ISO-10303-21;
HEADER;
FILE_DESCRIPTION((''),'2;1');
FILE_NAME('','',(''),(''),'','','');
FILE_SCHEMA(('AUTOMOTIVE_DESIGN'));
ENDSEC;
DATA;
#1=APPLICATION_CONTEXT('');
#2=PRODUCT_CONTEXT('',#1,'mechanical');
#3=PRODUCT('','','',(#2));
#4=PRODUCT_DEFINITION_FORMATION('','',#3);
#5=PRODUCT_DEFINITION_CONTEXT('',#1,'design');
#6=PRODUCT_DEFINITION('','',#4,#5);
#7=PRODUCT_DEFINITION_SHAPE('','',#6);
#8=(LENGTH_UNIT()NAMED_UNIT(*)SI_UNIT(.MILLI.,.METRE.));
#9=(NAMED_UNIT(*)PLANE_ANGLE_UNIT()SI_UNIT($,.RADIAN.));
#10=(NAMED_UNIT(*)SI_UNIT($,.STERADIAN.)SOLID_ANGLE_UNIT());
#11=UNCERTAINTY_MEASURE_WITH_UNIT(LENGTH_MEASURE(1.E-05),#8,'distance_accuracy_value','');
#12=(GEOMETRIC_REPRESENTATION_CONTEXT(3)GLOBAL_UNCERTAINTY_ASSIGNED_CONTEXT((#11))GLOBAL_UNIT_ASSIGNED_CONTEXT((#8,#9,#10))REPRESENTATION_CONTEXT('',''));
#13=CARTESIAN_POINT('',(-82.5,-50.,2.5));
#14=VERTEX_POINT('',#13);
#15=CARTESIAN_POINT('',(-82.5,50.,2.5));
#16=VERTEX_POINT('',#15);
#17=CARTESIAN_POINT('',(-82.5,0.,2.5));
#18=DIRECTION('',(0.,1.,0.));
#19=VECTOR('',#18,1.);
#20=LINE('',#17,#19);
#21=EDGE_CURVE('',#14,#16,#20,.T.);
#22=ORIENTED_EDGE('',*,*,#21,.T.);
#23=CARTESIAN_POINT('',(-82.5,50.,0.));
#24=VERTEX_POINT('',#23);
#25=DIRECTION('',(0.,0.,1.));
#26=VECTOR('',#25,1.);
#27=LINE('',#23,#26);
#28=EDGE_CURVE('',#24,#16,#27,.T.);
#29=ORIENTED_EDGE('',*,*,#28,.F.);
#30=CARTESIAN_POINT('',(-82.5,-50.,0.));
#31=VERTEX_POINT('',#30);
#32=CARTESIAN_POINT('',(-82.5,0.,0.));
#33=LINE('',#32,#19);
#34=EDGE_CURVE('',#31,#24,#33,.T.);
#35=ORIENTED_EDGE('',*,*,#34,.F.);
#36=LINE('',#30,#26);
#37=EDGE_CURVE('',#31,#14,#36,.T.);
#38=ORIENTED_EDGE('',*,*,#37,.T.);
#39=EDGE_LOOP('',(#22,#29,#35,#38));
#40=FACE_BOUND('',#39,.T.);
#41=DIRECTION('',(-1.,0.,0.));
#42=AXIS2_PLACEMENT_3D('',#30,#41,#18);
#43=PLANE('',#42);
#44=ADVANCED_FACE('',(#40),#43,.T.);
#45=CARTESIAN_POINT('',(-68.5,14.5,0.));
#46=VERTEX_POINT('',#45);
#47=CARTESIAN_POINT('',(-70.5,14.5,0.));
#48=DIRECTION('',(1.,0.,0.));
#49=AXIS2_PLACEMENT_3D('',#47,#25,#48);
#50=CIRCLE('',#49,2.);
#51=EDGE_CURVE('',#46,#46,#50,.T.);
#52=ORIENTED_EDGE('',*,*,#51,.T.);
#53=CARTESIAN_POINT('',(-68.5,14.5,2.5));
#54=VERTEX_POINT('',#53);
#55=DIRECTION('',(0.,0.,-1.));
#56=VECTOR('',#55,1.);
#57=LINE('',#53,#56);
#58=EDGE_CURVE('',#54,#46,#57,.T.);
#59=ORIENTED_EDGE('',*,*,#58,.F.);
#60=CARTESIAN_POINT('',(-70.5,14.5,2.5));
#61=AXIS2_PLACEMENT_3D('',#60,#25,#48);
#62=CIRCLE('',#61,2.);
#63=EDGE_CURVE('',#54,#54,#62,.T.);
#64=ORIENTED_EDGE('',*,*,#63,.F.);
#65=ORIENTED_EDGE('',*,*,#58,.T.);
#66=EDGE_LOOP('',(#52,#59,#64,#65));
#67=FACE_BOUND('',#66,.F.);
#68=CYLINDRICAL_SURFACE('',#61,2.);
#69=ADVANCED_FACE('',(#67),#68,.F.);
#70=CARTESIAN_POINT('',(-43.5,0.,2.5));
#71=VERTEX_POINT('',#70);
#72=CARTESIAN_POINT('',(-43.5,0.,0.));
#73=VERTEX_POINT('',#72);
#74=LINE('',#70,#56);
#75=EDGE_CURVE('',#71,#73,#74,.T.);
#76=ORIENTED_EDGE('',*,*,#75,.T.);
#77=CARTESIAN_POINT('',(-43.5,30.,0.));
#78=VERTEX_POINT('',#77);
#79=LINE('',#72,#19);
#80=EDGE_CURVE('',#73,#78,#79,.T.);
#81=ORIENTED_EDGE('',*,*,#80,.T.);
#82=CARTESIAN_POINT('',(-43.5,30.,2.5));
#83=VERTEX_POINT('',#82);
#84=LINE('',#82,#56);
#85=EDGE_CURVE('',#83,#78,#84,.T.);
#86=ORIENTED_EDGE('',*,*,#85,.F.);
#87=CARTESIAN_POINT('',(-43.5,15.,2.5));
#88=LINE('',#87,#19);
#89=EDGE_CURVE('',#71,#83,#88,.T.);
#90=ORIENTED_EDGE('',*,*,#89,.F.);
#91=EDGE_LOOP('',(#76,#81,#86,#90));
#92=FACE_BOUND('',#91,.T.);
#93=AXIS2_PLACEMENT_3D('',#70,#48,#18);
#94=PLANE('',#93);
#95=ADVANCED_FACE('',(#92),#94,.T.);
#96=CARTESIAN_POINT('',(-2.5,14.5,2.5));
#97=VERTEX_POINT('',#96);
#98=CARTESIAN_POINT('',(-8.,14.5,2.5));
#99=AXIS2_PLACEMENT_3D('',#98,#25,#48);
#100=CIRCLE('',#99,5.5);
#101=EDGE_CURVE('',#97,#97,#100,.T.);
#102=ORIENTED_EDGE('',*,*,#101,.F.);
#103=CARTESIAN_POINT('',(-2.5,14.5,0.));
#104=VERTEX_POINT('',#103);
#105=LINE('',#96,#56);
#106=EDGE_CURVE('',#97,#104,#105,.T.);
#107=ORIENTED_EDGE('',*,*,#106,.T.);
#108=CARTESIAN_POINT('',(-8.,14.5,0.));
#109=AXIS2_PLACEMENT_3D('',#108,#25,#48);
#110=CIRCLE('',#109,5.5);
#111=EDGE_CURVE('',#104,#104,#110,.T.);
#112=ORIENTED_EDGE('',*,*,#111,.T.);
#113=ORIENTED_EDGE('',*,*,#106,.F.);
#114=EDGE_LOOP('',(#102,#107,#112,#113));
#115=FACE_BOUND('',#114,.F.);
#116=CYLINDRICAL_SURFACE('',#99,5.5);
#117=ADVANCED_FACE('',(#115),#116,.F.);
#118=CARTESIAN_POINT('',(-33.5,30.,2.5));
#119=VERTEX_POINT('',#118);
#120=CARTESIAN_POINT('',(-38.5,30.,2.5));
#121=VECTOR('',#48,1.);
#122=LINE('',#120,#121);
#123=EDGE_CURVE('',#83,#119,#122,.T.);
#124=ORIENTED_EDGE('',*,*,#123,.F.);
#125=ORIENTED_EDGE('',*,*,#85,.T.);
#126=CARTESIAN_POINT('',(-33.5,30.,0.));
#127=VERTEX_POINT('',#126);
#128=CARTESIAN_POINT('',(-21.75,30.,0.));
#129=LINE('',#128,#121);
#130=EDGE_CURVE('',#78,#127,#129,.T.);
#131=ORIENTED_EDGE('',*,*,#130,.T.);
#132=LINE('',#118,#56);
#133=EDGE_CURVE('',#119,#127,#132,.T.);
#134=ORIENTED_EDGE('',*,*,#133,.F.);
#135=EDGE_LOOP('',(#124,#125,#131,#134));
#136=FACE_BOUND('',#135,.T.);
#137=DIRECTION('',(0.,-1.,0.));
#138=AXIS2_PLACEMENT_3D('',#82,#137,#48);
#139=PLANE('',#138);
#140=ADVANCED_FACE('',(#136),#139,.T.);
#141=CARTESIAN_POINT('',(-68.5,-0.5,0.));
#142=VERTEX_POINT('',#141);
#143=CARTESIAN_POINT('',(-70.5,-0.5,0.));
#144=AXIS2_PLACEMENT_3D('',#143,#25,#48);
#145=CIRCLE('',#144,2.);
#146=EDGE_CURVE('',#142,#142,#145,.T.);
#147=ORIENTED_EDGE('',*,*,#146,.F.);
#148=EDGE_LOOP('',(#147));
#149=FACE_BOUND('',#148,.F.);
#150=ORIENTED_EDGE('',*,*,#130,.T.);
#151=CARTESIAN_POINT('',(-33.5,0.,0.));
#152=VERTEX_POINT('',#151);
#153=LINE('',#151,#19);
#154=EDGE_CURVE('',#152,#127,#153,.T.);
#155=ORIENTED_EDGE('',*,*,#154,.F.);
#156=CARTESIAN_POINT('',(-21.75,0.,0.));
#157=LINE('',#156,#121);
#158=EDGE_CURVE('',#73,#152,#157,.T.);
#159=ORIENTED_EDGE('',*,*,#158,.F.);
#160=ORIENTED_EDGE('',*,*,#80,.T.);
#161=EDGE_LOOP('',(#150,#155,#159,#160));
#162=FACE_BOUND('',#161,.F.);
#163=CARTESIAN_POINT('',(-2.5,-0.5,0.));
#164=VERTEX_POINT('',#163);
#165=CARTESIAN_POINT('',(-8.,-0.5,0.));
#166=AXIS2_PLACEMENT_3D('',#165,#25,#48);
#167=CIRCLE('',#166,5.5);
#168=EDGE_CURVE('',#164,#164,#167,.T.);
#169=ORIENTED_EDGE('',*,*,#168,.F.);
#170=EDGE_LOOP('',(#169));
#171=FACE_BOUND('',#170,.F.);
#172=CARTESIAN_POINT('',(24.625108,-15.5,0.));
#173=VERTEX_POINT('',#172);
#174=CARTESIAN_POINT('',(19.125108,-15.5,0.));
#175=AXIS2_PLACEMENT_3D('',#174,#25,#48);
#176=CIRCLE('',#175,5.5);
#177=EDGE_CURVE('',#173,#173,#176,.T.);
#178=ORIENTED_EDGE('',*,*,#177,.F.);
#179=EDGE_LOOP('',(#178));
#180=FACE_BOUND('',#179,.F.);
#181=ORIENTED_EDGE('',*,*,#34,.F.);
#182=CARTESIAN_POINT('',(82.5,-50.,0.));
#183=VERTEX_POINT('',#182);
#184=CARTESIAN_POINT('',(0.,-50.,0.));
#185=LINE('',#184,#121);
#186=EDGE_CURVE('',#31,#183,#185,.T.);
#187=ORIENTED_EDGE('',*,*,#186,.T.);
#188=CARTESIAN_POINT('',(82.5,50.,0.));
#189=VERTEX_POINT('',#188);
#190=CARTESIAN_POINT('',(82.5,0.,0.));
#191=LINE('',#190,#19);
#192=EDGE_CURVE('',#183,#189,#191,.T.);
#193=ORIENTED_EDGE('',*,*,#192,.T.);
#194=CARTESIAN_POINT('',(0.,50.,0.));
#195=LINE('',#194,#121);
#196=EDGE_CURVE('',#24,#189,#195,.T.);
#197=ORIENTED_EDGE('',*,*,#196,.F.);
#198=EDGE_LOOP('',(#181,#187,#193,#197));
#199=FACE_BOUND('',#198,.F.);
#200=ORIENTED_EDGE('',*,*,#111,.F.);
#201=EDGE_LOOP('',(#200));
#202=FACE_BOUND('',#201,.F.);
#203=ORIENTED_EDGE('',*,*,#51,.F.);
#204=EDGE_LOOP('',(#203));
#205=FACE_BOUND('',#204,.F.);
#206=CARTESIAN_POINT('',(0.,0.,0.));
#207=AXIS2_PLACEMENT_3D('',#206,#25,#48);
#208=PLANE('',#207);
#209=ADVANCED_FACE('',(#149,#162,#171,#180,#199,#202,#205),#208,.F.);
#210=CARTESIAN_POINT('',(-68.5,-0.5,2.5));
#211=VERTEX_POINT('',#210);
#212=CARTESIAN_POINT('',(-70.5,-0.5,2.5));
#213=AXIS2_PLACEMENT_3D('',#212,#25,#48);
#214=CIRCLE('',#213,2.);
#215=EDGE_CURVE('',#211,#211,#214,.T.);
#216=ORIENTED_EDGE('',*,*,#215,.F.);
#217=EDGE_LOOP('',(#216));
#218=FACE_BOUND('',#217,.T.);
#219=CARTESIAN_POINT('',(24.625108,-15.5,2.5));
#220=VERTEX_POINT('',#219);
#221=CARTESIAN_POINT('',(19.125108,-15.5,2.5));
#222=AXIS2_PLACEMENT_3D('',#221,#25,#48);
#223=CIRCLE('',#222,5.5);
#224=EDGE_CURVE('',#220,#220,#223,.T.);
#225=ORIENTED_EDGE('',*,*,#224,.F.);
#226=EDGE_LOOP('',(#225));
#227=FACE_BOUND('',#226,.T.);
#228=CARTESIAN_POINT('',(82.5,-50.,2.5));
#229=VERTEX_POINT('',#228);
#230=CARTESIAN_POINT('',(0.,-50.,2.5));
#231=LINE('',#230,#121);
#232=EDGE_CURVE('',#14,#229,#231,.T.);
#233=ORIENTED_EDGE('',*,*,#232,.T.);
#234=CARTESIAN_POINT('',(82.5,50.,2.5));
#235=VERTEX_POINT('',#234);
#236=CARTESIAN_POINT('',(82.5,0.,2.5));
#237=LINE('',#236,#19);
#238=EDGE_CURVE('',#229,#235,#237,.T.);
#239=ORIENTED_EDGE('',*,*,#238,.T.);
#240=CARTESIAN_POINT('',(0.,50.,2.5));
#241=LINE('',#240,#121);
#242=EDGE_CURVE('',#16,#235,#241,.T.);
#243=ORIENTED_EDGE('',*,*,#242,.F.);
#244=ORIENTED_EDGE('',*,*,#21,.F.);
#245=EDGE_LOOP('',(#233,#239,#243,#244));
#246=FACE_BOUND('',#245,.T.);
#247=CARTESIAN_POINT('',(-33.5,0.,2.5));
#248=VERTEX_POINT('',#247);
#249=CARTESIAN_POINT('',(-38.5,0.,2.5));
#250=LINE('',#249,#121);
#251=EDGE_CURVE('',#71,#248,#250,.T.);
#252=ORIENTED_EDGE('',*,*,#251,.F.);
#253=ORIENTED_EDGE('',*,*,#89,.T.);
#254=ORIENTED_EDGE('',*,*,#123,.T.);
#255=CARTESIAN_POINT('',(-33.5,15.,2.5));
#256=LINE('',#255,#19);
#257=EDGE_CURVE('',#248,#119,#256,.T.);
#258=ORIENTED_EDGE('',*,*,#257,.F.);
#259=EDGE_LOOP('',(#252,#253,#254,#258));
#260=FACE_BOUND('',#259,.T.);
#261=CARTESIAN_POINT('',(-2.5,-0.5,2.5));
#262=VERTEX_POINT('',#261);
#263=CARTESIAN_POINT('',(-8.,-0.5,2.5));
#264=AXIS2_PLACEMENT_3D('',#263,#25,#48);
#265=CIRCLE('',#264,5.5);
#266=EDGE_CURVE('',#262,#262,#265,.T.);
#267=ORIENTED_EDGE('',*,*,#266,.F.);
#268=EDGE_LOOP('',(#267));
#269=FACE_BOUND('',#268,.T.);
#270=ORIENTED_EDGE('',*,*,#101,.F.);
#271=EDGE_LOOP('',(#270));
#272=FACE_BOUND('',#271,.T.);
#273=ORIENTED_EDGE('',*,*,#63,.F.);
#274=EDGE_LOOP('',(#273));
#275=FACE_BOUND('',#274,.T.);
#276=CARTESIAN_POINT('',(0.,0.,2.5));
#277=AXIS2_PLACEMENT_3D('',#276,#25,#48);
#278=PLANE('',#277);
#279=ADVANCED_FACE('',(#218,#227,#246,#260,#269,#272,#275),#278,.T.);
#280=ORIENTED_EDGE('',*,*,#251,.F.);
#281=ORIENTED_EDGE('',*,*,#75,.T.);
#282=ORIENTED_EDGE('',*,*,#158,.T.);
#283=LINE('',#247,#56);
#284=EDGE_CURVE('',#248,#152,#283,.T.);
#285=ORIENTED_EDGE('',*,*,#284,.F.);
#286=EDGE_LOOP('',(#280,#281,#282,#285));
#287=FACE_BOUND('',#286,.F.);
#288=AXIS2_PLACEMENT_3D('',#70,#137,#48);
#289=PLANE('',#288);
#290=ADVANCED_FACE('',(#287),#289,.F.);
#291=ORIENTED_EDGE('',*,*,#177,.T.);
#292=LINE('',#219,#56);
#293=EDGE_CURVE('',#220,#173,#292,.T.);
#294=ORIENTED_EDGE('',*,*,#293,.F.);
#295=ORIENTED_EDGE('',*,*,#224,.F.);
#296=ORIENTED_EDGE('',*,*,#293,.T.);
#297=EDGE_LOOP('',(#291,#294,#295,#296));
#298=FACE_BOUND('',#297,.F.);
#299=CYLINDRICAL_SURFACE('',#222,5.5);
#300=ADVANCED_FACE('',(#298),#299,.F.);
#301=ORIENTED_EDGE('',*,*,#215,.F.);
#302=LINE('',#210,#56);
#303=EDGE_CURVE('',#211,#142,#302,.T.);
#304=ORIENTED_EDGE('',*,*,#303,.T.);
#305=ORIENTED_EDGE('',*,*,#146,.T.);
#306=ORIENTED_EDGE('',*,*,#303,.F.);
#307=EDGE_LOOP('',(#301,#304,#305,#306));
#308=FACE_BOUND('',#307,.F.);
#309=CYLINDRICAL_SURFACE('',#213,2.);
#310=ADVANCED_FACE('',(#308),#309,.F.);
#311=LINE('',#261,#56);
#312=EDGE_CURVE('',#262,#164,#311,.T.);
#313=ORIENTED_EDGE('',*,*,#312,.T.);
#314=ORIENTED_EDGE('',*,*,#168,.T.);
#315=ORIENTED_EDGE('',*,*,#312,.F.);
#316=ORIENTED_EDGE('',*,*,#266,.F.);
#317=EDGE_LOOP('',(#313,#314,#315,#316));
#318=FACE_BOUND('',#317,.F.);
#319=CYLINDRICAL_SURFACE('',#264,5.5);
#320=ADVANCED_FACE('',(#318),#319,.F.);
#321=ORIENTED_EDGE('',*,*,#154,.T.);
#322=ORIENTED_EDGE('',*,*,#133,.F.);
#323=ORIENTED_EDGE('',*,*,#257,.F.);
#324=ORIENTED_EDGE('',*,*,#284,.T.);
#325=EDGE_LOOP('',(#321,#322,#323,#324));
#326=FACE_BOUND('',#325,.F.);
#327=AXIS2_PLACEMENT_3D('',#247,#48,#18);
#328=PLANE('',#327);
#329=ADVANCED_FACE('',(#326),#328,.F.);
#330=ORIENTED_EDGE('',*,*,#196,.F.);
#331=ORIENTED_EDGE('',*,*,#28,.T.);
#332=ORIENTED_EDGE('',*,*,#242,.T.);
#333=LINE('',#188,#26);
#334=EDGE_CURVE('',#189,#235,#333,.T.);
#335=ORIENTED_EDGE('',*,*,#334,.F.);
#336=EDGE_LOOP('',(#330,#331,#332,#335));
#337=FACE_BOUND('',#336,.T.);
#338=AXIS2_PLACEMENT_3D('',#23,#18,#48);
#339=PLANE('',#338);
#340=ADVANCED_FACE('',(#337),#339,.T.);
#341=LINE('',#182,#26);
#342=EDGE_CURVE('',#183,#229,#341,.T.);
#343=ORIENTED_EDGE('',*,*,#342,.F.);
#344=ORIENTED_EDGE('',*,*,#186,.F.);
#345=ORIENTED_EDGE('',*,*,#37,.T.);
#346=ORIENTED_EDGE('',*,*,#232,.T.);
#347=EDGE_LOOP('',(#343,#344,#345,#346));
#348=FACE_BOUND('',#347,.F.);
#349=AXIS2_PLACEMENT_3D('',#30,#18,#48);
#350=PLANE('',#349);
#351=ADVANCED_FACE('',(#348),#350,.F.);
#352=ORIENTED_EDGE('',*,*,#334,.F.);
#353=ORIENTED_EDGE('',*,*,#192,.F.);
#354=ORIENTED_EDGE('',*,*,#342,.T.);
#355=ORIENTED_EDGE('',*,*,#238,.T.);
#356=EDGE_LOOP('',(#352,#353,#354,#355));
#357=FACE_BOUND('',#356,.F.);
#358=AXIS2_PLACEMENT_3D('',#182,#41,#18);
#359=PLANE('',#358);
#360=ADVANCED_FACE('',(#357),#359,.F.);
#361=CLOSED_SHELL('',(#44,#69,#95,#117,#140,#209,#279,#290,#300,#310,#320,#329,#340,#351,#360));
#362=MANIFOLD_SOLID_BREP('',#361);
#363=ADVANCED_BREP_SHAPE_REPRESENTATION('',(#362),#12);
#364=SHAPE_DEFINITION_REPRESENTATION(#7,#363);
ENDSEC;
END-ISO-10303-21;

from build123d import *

# Parameters (mm, degrees)
F0_W     = 165
F0_H     = 100
F1_DEPTH = 2.5
F2_R     = 5.5
F2_W     = 10
F2_H     = 30
F2_R_2   = 2
F3_DEPTH = 25


with BuildPart() as f1:
    # F0 (on Top) → F1 (new body)
    with BuildSketch(Plane.XY):
        Rectangle(F0_W, F0_H)
    extrude(amount=F1_DEPTH)

    # F2 (on face) → F3 (cut)
    with BuildSketch(Plane.XY.offset(2.5)):
        with Locations((-8, 14.5)):
            Circle(F2_R)
        with Locations((-8, -0.5)):
            Circle(F2_R)
        with Locations((19.125108, -15.5)):
            Circle(F2_R)
        with Locations((-38.5, 15)):
            Rectangle(F2_W, F2_H)
        with Locations((-70.5, 14.5)):
            Circle(F2_R_2)
        with Locations((-70.5, -0.5)):
            Circle(F2_R_2)
    extrude(amount=-F3_DEPTH, mode=Mode.SUBTRACT)


solid = f1.part
